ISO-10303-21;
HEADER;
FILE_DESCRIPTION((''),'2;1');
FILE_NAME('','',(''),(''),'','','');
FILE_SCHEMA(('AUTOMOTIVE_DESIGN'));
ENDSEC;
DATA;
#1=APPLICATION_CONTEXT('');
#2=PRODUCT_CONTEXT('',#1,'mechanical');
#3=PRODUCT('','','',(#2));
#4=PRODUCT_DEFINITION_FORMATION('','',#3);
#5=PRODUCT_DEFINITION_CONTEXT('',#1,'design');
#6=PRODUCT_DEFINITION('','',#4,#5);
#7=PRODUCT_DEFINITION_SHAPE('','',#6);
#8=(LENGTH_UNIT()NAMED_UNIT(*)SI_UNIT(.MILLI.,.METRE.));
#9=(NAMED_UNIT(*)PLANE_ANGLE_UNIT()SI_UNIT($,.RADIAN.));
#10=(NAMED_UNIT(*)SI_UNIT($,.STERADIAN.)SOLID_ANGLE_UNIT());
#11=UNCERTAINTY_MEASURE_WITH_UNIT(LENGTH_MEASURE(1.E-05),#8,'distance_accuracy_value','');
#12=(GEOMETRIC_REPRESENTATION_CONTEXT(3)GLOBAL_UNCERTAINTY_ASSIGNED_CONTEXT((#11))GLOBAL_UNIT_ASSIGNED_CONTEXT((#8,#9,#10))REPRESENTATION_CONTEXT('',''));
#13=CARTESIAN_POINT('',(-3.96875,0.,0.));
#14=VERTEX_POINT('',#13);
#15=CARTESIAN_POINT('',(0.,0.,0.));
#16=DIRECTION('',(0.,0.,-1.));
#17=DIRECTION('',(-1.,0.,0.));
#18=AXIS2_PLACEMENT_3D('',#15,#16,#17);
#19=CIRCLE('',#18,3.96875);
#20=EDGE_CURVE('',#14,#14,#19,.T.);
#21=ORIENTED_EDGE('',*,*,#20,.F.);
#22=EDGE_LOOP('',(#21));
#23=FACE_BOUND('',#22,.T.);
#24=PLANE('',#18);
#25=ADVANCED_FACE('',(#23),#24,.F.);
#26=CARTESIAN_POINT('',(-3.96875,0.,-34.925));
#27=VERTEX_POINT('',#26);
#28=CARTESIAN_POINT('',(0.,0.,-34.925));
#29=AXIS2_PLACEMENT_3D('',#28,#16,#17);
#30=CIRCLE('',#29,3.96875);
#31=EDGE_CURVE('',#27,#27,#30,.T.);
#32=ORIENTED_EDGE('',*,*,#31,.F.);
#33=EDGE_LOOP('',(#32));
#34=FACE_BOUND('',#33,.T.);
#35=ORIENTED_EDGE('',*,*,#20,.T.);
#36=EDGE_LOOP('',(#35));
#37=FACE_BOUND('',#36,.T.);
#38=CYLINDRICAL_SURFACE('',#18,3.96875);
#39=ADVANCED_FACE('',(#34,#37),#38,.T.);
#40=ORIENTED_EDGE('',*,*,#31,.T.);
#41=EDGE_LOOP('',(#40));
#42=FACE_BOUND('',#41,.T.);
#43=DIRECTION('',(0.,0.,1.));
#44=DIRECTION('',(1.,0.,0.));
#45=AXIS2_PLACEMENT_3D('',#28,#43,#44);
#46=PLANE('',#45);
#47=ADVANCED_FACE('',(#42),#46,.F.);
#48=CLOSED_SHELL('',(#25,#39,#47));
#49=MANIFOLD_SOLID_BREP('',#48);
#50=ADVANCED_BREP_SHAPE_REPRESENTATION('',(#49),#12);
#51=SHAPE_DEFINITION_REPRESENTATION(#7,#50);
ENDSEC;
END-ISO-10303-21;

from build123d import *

# Parameters (mm, degrees)
SKETCH1_W = 34.925
SKETCH1_H = 3.96875


with BuildPart() as part:
    # Sketch1 → Revolve1 (revolve)
    with BuildSketch(Plane(origin=(0, 0, 0), x_dir=(0, 0, -1), z_dir=(1, 0, 0)), mode=Mode.PRIVATE) as revolve1_sk:
        with Locations((17.4625, -1.984375)):
            Rectangle(SKETCH1_W, SKETCH1_H)
    revolve(revolve1_sk.sketch.rotate(Axis((0, 0, 0), (0, 0, 1)), 270), axis=Axis((0, 0, 0), (0, 0, 1)))


solid = part.part
